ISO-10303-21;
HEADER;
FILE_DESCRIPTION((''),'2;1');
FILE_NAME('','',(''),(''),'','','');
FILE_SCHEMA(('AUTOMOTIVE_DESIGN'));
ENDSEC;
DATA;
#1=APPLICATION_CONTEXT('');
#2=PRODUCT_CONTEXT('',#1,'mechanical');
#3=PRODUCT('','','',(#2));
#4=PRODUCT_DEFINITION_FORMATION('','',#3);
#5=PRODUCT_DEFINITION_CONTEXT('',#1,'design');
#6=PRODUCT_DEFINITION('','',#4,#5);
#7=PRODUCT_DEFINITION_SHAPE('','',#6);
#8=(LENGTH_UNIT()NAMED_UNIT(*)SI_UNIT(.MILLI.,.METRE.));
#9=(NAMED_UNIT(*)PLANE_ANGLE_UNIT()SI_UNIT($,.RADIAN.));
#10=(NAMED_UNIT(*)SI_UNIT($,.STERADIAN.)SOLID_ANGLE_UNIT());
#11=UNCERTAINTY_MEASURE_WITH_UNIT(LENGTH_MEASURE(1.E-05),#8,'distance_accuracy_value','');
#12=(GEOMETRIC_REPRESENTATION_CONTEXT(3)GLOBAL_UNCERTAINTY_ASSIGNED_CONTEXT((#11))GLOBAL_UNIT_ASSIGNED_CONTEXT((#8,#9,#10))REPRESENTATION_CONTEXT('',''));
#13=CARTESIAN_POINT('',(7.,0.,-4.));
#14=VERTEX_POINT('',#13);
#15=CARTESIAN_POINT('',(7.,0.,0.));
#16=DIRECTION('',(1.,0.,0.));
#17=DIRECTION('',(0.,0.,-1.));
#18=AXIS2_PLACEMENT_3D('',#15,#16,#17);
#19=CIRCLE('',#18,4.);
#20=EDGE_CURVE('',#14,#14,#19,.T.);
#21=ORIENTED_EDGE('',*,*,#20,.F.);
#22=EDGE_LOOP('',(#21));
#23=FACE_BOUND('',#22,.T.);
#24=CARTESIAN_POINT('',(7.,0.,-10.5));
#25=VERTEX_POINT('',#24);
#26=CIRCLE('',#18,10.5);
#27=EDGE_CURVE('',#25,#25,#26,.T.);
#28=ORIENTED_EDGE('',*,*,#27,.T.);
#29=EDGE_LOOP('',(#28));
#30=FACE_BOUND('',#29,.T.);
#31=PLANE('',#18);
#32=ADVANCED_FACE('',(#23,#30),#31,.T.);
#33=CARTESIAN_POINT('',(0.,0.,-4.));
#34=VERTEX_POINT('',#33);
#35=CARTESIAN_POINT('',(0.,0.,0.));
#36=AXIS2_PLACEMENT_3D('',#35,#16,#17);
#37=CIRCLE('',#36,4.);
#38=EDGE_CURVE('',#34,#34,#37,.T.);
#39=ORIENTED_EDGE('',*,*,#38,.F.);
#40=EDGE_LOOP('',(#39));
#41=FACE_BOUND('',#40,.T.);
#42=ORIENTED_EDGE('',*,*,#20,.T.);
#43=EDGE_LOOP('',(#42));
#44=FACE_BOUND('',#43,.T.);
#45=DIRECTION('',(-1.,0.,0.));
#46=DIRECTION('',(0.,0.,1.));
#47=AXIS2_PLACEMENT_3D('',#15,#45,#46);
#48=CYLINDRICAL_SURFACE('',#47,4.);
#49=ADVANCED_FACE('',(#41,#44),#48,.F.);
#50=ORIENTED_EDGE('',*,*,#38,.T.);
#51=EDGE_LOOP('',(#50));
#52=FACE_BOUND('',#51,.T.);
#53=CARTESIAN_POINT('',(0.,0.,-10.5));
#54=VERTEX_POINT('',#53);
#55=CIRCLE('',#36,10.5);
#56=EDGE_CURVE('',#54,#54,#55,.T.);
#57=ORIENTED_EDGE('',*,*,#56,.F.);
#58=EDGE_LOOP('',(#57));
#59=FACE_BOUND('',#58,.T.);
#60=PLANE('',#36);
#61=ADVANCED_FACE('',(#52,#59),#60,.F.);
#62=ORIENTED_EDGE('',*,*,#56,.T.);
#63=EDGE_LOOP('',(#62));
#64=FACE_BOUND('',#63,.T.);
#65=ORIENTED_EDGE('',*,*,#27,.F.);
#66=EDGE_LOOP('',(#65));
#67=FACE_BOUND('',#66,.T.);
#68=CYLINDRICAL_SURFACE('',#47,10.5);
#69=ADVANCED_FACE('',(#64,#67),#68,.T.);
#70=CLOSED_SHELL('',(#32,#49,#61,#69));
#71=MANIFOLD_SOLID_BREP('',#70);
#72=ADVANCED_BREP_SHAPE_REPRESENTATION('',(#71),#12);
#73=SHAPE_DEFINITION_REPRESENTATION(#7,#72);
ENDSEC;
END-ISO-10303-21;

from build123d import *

# Parameters (mm, degrees)
ESBO_O1_R                = 10.5
ESBO_O1_R_2              = 4
RESSALTO_EXTRUS_O1_DEPTH = 7


with BuildPart() as part:
    # Esboço1 → Ressalto-extrusão1 (new body)
    with BuildSketch(Plane(origin=(0, 0, 0), x_dir=(0, 0, -1), z_dir=(1, 0, 0))):
        Circle(ESBO_O1_R)
        Circle(ESBO_O1_R_2, mode=Mode.SUBTRACT)
    extrude(amount=RESSALTO_EXTRUS_O1_DEPTH)


solid = part.part
